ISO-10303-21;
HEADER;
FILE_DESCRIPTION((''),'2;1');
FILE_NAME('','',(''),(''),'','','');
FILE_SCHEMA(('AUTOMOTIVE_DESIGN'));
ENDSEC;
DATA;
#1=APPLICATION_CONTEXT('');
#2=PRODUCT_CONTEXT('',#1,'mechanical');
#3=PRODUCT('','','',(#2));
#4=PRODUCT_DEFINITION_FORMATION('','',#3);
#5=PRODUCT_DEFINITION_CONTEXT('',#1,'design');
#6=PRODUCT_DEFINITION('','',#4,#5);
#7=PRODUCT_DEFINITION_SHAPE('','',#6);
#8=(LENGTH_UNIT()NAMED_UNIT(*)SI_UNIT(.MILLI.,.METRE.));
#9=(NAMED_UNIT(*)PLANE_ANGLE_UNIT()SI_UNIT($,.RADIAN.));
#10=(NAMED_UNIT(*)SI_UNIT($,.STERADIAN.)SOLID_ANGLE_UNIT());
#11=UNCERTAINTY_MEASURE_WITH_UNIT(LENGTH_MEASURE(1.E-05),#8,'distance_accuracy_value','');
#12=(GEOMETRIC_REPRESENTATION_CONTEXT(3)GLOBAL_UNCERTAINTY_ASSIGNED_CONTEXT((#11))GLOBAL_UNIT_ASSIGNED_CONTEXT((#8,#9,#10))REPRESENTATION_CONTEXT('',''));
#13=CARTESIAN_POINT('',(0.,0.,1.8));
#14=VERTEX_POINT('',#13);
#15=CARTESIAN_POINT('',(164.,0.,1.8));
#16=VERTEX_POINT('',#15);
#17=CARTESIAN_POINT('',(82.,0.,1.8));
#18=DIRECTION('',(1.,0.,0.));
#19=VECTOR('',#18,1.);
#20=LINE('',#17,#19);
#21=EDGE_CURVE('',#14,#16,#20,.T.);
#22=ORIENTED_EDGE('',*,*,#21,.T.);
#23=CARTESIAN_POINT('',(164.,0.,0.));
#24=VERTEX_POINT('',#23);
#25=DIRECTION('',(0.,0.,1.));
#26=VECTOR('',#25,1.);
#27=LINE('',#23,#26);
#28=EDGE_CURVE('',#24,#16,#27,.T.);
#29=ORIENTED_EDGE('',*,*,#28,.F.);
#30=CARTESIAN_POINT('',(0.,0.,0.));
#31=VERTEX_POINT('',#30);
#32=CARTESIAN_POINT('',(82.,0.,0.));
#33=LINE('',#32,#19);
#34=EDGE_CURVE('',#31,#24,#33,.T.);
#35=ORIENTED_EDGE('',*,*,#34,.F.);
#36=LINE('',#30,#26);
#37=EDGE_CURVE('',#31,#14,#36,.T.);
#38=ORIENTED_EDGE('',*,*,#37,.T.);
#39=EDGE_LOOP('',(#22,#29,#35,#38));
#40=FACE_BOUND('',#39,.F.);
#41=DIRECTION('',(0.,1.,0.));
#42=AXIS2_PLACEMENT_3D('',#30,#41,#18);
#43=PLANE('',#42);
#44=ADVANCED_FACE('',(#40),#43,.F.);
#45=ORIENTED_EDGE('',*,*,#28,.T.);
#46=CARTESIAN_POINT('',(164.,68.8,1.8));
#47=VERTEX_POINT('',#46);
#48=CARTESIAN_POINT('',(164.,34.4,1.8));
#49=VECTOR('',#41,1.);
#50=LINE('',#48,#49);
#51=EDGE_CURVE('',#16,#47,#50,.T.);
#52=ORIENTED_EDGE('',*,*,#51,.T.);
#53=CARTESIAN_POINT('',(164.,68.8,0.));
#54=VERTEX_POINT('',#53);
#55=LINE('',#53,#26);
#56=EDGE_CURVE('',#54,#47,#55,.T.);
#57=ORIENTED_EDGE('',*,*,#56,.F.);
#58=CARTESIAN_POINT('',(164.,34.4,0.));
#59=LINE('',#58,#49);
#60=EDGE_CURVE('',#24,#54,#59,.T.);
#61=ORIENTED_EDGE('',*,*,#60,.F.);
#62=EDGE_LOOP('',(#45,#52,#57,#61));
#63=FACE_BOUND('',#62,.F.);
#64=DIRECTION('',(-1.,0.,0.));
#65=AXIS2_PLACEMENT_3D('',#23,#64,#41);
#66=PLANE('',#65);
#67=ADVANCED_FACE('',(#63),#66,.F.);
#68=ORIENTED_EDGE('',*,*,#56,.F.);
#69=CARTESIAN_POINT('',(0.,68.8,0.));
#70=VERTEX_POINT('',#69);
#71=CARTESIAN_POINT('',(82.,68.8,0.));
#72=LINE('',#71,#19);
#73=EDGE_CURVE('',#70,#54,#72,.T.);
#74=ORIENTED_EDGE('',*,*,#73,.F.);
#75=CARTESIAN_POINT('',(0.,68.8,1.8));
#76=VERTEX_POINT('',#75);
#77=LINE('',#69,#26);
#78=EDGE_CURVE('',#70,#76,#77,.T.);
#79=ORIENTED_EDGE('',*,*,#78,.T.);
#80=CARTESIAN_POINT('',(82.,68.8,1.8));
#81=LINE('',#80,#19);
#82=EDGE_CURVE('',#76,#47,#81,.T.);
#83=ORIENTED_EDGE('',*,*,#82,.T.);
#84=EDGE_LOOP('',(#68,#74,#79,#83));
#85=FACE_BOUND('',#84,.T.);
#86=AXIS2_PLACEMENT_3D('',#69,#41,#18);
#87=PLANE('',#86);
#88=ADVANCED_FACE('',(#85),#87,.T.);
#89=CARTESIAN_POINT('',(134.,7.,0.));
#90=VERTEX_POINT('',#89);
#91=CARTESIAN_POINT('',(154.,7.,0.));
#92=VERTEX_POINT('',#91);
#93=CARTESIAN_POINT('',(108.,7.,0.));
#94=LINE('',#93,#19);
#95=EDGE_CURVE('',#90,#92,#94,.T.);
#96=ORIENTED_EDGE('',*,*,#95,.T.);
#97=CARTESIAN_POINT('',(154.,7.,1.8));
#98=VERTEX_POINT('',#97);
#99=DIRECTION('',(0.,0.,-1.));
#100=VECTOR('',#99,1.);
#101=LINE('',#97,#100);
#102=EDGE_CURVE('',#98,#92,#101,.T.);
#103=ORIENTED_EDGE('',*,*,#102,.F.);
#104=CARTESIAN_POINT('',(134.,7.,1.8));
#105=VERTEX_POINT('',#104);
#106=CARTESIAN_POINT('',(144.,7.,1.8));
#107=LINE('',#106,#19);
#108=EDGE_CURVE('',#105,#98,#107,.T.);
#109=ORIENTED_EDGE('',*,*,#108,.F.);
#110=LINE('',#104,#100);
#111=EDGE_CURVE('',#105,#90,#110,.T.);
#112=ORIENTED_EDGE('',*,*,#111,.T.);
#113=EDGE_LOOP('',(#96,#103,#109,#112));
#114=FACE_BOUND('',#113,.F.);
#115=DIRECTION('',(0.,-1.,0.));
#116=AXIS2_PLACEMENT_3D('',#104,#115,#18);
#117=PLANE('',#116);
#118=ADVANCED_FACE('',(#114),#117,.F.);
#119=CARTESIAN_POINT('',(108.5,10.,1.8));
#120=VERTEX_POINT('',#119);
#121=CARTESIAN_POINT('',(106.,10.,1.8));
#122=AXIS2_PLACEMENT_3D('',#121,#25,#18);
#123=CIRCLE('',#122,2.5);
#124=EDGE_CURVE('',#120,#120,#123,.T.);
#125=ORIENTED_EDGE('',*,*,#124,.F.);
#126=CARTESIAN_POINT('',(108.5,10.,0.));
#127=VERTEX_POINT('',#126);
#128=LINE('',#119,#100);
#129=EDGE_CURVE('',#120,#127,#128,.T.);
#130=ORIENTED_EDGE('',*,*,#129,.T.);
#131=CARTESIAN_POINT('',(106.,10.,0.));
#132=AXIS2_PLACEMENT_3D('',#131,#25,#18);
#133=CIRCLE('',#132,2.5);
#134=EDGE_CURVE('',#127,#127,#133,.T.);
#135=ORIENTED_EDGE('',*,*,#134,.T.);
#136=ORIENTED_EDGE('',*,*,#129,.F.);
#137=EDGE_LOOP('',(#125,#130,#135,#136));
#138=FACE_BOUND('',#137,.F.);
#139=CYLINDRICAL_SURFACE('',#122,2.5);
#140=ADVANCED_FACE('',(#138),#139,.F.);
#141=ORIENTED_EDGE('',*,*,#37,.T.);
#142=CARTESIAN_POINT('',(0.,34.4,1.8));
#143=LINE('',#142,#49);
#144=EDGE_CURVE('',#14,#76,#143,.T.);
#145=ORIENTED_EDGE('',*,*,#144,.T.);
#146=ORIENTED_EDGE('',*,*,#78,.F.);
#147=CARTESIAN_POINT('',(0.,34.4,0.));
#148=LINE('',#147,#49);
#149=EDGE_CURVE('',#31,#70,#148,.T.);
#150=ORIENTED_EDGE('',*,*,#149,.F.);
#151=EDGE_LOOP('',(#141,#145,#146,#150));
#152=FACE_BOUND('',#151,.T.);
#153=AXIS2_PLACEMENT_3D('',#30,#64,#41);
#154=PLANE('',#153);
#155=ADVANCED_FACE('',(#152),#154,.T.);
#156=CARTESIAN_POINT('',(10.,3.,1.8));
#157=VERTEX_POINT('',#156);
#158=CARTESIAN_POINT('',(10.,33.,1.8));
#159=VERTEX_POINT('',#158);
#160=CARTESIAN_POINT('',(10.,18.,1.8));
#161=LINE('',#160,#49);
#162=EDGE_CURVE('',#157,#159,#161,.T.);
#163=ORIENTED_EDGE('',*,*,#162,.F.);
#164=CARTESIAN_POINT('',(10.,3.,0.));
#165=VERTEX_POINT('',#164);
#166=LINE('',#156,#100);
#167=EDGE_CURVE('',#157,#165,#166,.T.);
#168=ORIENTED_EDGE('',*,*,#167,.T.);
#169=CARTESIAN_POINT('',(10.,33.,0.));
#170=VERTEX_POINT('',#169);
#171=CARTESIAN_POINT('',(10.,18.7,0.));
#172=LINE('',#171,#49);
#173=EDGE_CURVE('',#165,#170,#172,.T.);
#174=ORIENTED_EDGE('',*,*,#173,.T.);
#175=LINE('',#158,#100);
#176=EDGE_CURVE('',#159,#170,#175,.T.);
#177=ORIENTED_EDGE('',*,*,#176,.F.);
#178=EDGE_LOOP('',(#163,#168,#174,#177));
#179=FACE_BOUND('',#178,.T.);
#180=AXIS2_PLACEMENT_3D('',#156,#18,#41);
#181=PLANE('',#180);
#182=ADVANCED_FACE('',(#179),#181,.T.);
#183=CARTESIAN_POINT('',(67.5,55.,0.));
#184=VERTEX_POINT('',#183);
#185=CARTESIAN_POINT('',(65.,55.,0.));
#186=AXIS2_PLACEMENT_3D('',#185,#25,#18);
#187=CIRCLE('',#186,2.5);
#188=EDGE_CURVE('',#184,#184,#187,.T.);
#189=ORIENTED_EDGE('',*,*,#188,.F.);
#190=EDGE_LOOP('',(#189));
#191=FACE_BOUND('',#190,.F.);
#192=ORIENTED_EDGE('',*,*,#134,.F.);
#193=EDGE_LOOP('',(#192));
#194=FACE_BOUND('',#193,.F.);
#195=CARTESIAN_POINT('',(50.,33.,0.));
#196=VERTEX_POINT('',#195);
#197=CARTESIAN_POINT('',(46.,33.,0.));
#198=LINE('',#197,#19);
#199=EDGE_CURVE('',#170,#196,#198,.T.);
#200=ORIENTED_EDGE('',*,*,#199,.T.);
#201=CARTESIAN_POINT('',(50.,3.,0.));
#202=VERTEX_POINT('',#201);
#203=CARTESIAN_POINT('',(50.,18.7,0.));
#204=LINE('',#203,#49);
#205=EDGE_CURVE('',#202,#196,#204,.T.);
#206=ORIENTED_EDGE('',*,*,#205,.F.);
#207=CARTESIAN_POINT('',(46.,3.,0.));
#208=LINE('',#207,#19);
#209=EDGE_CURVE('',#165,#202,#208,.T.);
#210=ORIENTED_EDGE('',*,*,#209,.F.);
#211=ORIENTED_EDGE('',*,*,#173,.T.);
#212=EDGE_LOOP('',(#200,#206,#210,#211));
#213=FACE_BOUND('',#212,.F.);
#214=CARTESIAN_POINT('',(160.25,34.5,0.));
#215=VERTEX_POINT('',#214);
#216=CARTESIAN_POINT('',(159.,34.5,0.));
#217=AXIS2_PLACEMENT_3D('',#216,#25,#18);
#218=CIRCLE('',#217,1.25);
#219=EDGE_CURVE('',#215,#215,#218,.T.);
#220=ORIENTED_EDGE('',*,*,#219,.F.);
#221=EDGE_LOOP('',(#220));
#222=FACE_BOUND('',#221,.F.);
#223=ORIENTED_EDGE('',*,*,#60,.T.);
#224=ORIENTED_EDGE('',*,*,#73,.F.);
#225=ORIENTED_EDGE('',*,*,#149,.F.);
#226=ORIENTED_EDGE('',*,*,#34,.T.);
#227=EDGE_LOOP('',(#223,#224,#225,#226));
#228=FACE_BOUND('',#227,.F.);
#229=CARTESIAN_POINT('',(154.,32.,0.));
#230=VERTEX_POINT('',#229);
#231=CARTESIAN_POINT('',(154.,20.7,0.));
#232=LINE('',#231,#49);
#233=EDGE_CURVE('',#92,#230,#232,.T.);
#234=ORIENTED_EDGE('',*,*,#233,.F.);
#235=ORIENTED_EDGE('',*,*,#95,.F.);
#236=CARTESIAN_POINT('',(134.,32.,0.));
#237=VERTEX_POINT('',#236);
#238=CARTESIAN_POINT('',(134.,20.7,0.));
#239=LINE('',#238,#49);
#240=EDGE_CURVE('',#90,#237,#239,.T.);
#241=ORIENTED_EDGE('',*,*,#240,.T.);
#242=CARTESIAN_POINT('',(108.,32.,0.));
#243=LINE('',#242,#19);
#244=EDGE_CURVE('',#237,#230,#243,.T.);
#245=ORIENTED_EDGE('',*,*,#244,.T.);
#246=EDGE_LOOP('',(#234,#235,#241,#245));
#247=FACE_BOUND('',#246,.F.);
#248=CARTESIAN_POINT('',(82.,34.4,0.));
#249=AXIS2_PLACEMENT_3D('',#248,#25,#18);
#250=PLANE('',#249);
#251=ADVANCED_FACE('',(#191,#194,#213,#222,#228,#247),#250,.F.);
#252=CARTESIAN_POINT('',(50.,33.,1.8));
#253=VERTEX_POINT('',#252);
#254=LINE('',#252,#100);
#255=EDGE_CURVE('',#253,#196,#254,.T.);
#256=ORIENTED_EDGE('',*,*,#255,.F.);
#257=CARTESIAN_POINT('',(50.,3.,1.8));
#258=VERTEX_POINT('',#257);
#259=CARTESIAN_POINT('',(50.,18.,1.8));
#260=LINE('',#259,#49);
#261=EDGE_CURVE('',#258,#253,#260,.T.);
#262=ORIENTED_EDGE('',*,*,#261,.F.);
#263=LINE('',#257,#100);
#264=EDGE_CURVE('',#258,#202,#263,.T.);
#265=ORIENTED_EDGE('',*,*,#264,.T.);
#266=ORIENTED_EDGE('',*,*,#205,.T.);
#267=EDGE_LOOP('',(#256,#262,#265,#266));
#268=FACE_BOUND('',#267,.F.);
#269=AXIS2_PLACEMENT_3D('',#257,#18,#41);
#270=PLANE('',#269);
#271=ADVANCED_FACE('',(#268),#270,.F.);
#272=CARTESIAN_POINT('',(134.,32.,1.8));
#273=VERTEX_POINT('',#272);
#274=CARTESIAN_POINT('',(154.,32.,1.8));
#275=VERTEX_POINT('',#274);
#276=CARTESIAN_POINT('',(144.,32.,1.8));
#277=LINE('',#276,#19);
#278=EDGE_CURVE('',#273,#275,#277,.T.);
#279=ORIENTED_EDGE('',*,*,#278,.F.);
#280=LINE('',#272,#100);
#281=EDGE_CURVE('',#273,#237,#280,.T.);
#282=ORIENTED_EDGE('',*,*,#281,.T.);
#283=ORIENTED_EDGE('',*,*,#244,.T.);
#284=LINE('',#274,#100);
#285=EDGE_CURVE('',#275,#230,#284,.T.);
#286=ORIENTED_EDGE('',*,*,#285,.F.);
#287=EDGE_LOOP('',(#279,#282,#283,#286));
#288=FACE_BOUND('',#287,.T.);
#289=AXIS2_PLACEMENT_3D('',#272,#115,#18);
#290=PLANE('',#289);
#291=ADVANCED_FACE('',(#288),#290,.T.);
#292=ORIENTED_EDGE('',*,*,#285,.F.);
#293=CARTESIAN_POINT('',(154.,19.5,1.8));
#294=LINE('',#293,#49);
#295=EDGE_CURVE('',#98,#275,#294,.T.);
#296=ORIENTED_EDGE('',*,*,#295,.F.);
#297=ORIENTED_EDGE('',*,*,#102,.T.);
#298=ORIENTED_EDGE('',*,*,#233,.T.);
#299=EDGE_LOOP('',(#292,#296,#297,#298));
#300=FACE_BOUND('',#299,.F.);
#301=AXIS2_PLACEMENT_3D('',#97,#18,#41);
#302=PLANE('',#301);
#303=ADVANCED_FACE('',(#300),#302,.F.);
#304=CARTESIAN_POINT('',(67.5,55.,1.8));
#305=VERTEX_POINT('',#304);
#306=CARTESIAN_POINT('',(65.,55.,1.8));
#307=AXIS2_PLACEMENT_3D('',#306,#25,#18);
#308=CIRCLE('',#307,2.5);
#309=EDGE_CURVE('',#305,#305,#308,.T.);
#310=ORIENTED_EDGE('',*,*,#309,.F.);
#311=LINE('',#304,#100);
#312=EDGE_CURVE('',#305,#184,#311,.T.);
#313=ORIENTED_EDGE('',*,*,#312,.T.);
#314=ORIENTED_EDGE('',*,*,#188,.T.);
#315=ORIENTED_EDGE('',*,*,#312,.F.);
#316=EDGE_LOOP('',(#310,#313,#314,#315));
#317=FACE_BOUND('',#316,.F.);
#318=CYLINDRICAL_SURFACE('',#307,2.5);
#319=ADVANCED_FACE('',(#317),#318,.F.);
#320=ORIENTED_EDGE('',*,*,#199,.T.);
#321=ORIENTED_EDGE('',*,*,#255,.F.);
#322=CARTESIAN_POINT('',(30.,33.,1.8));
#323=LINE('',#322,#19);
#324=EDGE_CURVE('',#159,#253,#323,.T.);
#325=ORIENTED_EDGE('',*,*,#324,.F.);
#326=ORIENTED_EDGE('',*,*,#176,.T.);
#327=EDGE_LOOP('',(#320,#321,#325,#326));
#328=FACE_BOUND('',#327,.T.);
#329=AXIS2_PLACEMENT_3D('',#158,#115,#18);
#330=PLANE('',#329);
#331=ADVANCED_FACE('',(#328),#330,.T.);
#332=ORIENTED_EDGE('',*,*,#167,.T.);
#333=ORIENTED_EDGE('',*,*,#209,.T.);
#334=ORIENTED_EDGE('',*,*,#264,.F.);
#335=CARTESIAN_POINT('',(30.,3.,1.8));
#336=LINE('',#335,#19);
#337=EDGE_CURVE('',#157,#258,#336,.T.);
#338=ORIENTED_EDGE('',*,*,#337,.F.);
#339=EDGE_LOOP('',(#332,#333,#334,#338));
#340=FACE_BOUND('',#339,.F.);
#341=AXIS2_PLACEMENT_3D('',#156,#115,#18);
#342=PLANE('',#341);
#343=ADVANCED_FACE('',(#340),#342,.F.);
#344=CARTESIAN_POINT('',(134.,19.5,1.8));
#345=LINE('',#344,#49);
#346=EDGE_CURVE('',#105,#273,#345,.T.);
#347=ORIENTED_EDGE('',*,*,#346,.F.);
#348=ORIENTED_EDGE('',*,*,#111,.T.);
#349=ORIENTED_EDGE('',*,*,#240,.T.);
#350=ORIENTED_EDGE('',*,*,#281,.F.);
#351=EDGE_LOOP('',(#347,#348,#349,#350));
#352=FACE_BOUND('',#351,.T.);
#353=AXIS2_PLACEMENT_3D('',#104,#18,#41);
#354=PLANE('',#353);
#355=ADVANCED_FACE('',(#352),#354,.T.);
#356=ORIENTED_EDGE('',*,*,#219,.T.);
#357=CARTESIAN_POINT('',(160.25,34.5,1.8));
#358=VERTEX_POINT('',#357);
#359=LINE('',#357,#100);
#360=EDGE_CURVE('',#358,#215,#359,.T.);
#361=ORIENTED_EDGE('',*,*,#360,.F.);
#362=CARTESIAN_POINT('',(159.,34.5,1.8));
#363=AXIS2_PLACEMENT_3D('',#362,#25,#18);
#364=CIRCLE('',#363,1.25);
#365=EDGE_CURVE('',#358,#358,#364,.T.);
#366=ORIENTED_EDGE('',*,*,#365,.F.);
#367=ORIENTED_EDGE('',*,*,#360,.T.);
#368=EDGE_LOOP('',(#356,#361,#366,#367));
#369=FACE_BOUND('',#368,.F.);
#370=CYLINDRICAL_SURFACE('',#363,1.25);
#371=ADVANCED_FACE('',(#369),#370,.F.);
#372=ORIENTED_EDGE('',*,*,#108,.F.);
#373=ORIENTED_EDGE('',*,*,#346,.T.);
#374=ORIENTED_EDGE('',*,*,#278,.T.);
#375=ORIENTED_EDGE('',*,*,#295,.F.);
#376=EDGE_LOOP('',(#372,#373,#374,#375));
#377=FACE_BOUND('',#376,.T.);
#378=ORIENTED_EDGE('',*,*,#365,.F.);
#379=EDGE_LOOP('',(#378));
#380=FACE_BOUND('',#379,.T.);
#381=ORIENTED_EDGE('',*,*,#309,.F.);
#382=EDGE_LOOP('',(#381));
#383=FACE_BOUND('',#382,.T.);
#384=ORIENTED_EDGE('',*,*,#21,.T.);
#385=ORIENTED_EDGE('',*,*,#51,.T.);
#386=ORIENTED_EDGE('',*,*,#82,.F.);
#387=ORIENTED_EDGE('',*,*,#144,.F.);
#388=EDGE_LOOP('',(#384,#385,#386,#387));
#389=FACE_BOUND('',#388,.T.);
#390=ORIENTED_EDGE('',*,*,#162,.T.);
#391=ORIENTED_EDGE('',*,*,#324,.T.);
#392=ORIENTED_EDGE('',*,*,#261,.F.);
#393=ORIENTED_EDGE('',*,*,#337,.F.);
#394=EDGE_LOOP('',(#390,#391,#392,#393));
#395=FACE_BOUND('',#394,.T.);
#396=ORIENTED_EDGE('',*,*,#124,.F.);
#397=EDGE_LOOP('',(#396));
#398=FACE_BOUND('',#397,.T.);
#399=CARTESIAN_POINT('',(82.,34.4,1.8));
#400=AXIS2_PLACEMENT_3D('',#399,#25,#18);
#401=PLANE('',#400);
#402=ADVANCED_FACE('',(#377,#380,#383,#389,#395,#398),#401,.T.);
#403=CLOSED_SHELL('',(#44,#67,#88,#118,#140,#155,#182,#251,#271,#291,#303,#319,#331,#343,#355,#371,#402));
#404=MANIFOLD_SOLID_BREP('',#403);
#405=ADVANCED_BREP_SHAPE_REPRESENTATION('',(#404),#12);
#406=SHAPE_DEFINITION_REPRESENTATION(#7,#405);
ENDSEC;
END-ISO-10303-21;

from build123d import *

# Parameters (mm, degrees)
SKETCH_W      = 164
SKETCH_H      = 68.8
PAD_DEPTH     = 1.8
SKETCH001_R   = 2.5
SKETCH001_R_2 = 1.25
SKETCH001_W   = 40
SKETCH001_H   = 30
SKETCH001_W_2 = 20
SKETCH001_H_2 = 25
POCKET_DEPTH  = 5


with BuildPart() as part:
    # Sketch → Pad (new body)
    with BuildSketch(Plane.XY):
        with Locations((82, 34.4)):
            Rectangle(SKETCH_W, SKETCH_H)
    extrude(amount=PAD_DEPTH)

    # Sketch001 (on Face6 of Pad) → Pocket (cut)
    with BuildSketch(Plane.XY.offset(1.8)):
        with Locations((65, 55)):
            Circle(SKETCH001_R)
        with Locations((106, 10)):
            Circle(SKETCH001_R)
        with Locations((159, 34.5)):
            Circle(SKETCH001_R_2)
        with Locations((30, 18)):
            Rectangle(SKETCH001_W, SKETCH001_H)
        with Locations((144, 19.5)):
            Rectangle(SKETCH001_W_2, SKETCH001_H_2)
    extrude(amount=-POCKET_DEPTH, mode=Mode.SUBTRACT)


solid = part.part
